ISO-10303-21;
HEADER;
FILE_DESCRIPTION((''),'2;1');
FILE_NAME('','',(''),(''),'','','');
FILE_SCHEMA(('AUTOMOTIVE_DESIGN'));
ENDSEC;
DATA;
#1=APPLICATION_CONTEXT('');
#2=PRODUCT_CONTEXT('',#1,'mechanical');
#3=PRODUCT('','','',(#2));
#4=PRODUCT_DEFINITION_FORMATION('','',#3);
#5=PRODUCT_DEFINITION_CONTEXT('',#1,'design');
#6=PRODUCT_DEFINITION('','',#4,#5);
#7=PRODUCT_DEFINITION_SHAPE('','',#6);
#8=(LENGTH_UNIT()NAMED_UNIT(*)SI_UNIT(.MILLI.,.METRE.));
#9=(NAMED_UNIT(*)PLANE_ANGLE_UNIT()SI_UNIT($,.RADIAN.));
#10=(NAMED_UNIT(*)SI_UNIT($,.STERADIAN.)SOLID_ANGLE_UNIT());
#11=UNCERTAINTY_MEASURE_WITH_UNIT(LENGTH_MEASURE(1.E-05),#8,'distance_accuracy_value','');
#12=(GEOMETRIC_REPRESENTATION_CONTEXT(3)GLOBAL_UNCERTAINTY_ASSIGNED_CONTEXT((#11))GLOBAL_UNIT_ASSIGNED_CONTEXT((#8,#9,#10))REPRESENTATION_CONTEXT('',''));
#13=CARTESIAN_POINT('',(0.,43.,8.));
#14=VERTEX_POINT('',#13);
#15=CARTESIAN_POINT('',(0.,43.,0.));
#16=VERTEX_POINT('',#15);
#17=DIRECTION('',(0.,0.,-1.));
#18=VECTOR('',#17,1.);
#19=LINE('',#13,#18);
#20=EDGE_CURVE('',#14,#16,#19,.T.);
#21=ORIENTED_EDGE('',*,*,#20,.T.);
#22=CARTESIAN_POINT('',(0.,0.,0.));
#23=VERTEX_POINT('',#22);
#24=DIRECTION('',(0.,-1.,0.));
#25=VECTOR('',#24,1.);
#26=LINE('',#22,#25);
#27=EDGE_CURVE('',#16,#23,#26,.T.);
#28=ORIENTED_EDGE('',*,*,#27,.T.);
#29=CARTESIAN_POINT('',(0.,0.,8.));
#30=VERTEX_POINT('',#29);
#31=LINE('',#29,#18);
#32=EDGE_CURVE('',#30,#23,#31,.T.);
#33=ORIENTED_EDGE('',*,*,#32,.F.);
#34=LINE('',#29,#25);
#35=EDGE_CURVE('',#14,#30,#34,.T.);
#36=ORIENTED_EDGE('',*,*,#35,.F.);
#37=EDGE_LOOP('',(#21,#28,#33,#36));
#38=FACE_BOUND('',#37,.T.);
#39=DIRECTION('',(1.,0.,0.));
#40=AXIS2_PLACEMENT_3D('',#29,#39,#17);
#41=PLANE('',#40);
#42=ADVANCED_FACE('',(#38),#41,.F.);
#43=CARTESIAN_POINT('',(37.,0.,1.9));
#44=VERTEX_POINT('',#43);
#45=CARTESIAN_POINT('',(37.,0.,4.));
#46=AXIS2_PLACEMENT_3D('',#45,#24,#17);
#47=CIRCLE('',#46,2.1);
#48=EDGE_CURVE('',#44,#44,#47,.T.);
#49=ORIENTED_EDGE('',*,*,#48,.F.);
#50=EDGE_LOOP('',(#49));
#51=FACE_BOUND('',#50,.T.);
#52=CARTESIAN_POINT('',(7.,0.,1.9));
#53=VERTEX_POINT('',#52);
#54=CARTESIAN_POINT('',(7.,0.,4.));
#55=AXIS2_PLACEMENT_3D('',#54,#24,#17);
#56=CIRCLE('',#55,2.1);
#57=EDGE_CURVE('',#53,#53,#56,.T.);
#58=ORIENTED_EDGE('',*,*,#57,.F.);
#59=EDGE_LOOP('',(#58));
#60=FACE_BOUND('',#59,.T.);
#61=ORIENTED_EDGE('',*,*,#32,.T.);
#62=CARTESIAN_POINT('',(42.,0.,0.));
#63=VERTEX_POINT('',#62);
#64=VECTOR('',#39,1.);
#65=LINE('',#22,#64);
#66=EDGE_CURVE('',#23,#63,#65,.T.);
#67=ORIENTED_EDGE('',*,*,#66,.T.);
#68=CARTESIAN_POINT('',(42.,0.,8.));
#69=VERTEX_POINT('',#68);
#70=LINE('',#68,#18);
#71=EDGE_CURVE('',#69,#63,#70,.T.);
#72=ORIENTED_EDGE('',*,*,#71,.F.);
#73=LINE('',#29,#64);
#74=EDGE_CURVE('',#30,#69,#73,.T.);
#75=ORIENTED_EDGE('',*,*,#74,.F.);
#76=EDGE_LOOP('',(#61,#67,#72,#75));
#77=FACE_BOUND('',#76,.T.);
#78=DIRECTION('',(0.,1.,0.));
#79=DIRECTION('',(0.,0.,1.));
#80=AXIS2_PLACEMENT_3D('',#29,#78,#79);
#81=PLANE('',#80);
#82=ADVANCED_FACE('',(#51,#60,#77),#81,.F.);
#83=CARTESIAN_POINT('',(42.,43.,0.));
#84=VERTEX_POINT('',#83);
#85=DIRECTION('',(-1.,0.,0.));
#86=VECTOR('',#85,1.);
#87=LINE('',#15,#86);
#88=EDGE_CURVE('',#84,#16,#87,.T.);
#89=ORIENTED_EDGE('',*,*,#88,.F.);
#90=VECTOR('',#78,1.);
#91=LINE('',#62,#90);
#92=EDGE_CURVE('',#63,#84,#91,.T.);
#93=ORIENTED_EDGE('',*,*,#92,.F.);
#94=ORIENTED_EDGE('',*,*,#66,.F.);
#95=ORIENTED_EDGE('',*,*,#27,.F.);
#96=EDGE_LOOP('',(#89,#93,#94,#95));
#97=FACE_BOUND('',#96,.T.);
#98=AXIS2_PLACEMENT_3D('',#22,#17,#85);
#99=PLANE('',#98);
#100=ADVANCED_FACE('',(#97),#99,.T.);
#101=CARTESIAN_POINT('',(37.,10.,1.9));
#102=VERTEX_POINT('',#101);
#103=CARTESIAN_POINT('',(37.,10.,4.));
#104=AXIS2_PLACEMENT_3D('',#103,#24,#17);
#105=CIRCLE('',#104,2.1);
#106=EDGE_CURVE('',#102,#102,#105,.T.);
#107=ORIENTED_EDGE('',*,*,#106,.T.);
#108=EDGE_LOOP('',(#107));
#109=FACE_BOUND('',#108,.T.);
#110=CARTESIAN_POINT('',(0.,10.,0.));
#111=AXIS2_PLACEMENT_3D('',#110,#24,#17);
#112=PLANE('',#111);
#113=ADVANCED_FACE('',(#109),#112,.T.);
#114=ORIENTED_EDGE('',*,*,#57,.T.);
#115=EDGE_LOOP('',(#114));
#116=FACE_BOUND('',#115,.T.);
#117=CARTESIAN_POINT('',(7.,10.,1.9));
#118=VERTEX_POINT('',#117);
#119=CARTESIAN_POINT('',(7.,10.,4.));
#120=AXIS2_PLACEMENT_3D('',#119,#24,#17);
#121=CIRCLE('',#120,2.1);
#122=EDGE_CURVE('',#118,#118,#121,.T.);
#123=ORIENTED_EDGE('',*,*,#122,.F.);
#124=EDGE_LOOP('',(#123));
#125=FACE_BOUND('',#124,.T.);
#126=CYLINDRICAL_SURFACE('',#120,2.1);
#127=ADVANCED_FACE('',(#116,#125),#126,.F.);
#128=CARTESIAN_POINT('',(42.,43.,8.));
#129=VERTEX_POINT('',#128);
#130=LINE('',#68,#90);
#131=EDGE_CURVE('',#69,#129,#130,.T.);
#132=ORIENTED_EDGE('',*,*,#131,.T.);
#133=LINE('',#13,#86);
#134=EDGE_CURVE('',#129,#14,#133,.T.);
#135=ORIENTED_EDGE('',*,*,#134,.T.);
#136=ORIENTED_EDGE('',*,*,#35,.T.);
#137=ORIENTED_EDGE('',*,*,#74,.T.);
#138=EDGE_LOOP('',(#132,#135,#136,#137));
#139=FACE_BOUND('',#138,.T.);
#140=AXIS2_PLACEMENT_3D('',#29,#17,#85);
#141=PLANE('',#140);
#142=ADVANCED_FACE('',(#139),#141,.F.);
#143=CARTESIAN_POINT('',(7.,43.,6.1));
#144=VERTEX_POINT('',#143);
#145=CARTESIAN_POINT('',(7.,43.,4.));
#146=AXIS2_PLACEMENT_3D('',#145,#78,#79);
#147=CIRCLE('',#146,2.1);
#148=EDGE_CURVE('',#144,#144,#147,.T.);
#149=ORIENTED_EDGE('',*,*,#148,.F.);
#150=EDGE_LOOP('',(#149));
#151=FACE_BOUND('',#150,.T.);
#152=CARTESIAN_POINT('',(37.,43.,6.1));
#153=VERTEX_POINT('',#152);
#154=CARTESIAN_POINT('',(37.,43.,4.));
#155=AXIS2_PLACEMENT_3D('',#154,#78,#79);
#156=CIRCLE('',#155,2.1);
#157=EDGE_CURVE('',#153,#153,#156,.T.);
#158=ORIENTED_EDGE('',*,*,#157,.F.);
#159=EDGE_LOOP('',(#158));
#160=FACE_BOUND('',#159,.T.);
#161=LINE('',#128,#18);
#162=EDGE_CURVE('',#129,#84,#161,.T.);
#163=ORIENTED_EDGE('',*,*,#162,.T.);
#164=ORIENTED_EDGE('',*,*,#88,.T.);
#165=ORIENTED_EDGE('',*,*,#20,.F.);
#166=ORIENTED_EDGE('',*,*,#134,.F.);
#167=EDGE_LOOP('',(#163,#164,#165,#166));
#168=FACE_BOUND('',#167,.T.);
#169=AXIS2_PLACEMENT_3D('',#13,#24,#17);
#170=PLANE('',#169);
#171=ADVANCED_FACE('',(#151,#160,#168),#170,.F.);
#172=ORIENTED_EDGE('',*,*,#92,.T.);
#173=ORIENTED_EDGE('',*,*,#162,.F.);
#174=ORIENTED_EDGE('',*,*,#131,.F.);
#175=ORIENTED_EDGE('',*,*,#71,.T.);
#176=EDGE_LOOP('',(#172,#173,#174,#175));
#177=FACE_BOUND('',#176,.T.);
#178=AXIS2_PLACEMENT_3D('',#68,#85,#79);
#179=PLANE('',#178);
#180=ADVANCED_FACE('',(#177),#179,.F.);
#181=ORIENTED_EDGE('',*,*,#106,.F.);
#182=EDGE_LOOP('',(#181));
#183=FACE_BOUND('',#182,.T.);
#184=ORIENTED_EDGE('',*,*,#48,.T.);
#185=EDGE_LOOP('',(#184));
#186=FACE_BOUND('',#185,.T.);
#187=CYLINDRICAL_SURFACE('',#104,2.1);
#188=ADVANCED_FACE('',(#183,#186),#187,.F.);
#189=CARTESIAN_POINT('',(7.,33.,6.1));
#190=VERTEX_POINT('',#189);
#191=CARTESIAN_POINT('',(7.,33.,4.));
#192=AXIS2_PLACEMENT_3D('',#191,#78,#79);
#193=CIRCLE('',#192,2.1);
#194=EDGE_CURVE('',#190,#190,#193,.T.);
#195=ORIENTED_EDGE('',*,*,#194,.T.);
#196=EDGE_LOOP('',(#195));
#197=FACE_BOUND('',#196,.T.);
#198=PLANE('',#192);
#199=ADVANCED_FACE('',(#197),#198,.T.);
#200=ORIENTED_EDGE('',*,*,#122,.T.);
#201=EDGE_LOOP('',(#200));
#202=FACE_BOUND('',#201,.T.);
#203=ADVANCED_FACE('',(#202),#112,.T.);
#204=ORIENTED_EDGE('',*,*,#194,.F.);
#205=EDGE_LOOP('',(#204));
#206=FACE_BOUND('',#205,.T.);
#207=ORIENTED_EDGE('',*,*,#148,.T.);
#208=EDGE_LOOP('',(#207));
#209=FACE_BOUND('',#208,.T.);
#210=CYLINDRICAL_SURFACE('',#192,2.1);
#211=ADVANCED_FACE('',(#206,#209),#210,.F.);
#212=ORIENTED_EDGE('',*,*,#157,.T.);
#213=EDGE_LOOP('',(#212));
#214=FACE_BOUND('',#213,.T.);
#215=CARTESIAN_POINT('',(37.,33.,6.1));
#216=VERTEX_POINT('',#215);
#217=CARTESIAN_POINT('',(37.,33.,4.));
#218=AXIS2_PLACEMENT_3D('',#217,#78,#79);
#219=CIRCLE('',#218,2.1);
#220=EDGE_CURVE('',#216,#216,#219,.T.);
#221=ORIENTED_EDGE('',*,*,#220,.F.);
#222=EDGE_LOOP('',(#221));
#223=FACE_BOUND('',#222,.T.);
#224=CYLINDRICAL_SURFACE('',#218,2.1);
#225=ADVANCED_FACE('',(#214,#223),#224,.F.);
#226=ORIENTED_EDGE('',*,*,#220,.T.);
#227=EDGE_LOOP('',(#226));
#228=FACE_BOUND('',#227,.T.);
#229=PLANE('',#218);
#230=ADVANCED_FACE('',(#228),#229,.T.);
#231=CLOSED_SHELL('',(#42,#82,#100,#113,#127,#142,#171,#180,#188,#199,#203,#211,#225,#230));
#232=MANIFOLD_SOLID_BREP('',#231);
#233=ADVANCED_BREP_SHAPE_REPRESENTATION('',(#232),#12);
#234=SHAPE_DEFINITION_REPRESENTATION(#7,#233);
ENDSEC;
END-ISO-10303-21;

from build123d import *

# Parameters (mm, degrees)
SKETCH1_W           = 42
SKETCH1_H           = 43
BOSS_EXTRUDE1_DEPTH = 8
SKETCH2_R           = 2.1
CUT_EXTRUDE1_DEPTH  = 10
SKETCH3_R           = 2.1
CUT_EXTRUDE2_DEPTH  = 10


with BuildPart() as part:
    # Sketch1 → Boss-Extrude1 (new body)
    with BuildSketch(Plane.XY):
        with Locations((21, 21.5)):
            Rectangle(SKETCH1_W, SKETCH1_H)
    extrude(amount=BOSS_EXTRUDE1_DEPTH)

    # Sketch2 → Cut-Extrude1 (cut)
    with BuildSketch(Plane.XZ):
        with Locations((37, 4)):
            Circle(SKETCH2_R)
        with Locations((7, 4)):
            Circle(SKETCH2_R)
    extrude(amount=-CUT_EXTRUDE1_DEPTH, mode=Mode.SUBTRACT)

    # Sketch3 → Cut-Extrude2 (cut)
    with BuildSketch(Plane(origin=(0, 43, 0), x_dir=(1, 0, 0), z_dir=(0, 1, 0))):
        with Locations((37, -4)):
            Circle(SKETCH3_R)
        with Locations((7, -4)):
            Circle(SKETCH3_R)
    extrude(amount=-CUT_EXTRUDE2_DEPTH, mode=Mode.SUBTRACT)


solid = part.part
